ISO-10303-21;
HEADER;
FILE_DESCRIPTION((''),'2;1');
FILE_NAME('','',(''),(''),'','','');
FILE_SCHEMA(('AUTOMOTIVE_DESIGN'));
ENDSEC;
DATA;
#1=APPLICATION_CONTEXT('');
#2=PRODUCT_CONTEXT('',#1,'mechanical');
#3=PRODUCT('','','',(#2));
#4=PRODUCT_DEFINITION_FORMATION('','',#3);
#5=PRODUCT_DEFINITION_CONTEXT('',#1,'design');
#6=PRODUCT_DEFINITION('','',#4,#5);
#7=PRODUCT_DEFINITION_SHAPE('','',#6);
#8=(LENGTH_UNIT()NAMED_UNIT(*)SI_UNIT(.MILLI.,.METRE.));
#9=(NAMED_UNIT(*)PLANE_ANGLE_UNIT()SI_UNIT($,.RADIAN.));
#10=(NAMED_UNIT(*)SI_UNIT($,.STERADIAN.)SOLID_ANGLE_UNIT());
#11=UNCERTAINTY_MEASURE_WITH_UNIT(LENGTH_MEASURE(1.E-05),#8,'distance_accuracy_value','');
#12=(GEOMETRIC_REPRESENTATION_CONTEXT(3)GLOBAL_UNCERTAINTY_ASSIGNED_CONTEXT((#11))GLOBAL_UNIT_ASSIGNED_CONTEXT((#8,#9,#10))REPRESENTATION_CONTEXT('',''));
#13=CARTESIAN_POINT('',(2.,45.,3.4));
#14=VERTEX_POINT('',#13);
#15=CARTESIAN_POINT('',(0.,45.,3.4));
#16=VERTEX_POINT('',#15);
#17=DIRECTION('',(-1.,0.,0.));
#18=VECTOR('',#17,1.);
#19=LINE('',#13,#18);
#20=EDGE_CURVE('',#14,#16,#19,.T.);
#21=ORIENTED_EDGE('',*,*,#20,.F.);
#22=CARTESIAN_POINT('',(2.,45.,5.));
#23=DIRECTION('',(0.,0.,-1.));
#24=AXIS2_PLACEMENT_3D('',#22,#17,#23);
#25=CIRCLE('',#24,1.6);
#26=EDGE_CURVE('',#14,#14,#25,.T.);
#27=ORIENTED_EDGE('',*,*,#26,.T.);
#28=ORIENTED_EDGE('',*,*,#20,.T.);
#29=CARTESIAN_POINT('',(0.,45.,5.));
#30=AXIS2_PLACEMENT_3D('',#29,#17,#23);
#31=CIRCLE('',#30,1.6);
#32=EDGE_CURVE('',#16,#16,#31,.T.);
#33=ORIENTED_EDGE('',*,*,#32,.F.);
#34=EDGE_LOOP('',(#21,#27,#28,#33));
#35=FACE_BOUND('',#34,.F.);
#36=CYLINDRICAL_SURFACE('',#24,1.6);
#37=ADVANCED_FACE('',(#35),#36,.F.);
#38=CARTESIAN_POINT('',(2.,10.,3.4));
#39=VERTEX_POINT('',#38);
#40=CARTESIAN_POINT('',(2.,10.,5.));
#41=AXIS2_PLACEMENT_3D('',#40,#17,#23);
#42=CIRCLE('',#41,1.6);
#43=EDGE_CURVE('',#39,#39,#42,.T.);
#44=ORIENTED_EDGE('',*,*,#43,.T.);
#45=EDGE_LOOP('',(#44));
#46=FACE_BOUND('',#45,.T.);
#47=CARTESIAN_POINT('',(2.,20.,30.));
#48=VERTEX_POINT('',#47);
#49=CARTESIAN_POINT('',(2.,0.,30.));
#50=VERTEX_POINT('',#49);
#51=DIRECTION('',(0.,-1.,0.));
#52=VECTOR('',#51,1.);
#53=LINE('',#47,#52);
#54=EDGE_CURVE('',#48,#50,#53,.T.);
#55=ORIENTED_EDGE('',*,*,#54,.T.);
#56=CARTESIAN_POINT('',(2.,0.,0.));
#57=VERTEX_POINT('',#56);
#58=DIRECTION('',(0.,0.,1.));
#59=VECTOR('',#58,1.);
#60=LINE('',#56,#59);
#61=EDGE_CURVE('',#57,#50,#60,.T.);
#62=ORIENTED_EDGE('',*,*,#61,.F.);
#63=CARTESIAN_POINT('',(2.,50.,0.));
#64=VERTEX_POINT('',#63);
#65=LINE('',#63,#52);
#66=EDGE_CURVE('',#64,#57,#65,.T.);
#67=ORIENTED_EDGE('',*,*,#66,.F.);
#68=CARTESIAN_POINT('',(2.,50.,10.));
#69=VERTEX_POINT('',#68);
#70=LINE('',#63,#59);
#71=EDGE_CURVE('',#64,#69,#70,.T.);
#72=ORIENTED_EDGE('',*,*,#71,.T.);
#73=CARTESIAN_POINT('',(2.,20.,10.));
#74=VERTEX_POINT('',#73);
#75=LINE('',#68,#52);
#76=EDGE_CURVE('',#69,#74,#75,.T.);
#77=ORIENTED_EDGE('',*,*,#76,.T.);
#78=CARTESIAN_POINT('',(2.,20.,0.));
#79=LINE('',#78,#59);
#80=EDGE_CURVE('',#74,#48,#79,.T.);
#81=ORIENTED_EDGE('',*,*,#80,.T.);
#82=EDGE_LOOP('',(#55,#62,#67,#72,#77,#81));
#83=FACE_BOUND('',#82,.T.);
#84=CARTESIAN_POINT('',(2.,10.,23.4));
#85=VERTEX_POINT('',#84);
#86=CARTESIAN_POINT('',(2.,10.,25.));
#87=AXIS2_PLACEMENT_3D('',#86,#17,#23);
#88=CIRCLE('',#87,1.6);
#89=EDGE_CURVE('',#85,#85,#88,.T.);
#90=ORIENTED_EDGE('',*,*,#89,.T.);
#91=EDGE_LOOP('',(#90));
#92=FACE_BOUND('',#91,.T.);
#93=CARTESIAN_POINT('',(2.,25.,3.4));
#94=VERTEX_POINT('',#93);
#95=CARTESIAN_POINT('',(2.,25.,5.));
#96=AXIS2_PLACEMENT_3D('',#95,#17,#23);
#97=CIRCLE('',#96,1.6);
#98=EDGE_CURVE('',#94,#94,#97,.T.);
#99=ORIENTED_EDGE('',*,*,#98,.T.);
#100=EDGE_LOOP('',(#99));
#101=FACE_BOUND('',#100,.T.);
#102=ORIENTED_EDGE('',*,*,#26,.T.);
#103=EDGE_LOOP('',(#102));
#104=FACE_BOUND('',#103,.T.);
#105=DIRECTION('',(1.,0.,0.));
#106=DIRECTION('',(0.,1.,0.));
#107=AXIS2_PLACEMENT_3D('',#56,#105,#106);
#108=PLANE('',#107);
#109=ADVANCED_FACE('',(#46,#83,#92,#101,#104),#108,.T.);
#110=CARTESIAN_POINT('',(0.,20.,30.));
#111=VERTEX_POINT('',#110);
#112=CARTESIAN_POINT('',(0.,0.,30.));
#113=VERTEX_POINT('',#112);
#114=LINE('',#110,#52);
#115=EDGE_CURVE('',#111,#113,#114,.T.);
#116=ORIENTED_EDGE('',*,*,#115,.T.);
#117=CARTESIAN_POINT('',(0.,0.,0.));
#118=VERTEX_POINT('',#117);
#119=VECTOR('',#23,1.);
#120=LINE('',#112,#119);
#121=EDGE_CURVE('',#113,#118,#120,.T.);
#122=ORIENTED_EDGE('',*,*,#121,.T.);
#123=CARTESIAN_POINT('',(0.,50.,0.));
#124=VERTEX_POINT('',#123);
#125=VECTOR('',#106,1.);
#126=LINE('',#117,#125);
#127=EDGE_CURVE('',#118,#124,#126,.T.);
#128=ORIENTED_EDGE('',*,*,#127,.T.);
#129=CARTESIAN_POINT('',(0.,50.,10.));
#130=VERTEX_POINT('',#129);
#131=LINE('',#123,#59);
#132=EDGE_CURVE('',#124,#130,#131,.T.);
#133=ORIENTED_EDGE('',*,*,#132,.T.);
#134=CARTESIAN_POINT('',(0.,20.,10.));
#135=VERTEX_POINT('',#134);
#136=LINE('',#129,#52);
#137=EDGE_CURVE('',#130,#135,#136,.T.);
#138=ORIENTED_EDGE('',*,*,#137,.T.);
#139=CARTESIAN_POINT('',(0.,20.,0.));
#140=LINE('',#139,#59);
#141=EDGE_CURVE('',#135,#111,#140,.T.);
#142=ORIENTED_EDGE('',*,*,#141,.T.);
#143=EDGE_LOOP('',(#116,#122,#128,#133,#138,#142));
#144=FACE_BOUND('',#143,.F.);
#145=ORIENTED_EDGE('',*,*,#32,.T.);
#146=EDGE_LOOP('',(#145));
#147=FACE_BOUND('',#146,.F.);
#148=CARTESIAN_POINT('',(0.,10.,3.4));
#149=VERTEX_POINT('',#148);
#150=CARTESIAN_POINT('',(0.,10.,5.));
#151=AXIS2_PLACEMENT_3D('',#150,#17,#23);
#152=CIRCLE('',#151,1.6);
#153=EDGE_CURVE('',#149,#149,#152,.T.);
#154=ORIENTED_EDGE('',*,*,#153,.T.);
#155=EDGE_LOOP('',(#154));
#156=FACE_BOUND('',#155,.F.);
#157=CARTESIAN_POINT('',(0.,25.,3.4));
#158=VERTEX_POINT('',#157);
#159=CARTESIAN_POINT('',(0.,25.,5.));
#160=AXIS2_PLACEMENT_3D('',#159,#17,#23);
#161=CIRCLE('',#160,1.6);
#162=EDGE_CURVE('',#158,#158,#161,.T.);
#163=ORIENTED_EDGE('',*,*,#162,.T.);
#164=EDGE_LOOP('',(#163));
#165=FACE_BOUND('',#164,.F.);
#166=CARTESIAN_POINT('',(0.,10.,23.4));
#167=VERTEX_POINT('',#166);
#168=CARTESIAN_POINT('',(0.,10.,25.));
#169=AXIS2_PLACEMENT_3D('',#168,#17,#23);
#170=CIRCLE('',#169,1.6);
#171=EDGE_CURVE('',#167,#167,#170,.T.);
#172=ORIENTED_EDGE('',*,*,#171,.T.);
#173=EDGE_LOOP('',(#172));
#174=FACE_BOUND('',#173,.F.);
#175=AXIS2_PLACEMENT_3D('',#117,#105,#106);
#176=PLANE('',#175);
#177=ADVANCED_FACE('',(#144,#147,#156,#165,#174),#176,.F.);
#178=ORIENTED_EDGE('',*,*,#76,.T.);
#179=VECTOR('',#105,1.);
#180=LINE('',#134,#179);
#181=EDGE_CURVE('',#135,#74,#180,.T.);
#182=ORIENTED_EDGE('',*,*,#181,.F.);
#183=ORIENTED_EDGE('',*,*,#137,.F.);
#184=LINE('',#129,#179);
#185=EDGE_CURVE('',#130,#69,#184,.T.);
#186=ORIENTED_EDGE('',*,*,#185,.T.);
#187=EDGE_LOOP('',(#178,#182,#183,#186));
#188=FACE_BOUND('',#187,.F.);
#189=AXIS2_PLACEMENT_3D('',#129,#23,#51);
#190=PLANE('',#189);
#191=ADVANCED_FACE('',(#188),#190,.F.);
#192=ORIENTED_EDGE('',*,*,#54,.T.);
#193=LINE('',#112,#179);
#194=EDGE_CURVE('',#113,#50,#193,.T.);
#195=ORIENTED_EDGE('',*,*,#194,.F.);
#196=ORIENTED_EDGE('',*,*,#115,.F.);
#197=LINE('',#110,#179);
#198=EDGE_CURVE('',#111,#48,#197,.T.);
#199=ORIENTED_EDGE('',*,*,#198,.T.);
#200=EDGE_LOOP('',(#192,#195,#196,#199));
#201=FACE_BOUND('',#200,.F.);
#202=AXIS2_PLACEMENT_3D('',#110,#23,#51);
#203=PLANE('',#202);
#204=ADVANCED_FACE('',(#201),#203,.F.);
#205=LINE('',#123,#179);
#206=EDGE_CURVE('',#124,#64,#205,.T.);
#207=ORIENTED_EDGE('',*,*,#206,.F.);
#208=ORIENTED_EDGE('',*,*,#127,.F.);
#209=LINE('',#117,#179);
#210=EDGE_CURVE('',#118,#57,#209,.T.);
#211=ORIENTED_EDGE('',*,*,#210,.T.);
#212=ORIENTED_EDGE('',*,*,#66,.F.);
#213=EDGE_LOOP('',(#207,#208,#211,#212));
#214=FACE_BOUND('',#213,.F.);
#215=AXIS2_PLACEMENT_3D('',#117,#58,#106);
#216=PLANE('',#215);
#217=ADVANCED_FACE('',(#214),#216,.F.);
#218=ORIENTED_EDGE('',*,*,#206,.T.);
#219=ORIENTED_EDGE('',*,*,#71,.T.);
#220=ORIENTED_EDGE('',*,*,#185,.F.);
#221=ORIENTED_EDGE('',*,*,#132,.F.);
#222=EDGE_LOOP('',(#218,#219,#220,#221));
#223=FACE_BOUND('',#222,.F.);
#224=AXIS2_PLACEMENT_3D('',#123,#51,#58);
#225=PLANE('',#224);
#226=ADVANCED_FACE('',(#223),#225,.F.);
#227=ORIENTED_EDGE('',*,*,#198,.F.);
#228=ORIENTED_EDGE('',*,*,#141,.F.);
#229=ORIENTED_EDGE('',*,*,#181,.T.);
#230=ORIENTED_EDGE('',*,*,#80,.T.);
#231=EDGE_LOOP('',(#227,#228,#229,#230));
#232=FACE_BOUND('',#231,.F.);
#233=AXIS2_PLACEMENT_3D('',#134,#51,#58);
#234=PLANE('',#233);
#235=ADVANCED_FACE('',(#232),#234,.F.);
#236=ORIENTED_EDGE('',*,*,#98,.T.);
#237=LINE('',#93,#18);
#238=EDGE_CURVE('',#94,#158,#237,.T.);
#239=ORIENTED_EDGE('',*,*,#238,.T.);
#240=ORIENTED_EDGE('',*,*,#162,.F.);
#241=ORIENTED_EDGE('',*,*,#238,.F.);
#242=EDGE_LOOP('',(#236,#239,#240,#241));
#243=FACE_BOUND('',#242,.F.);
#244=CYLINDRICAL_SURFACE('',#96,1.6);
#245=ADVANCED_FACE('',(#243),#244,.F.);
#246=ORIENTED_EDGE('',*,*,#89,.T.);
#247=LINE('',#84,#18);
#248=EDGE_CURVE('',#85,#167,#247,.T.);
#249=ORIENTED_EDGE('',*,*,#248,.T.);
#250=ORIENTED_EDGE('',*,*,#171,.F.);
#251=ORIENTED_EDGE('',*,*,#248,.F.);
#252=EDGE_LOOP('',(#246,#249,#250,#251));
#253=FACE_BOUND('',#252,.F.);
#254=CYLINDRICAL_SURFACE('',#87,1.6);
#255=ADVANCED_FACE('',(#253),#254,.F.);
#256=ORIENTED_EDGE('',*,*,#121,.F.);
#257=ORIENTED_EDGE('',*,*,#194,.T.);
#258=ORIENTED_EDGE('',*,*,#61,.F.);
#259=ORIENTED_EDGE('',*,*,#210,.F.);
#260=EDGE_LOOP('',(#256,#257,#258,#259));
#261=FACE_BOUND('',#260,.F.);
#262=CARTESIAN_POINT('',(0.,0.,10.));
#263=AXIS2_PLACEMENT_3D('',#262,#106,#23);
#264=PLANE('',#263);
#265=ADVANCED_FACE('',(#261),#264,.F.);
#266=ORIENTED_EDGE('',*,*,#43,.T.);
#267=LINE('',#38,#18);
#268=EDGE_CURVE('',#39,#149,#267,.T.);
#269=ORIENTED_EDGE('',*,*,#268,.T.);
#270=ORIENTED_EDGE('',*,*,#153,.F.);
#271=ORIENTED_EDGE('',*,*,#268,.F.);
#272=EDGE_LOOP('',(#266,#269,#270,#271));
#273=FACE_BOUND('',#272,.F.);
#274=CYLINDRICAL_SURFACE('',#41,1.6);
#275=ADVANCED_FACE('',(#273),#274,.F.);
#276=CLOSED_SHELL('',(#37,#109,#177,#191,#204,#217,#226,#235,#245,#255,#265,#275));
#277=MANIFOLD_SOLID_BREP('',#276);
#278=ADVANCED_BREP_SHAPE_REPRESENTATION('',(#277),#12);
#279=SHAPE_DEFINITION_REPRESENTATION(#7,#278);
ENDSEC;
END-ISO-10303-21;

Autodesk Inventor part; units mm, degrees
ref_plane "YZ Plane" through (0, 0, 0) normal (1, 0, 0) x (0, 1, 0)
ref_plane "XZ Plane" through (0, 0, 0) normal (0, 1, 0) x (-1, 0, 0)
ref_plane "XY Plane" through (0, 0, 0) normal (0, 0, 1) x (1, 0, 0)
sketch "スケッチ1" plane through (0, 0, 0) normal (1, 0, 0) x (0, 1, 0)
  line L0 (0, 0) -> (50, 0)
  line L1 (50, 0) -> (50, 10)
  line L2 (50, 10) -> (0, 10)
  line L3 (0, 10) -> (0, 0)
  line L4 (0, 0) -> (20, 0)
  line L5 (20, 0) -> (20, 30)
  line L6 (20, 30) -> (0, 30)
  line L7 (0, 30) -> (0, 0)
  point P0 (0, 10)
  point P1 (20, 10)
  point P2 (20, 0)
  point P3 (20, 0)
  dimension "d0" = 10
  dimension "d1" = 20
  dimension "d2" = 30
  dimension "d3" = 30
extrude "押し出し1" add sketch "スケッチ1" along normal blind 2
sketch "スケッチ2" plane through (2, 0, 0) normal (1, 0, 0) x (0, 0, -1)
  line L0 (-30, 20) -> (-30, 0) projected
  line L1 (-30, 10) -> (0, 10) construction
  line L2 (0, 0) -> (0, 50) projected
  line L3 (0, 50) -> (-10, 50) projected
  line L4 (-5, 50) -> (-5, 0) construction
  line L5 (-30, 0) -> (0, 0) projected
  point P0 (-25, 10)
  point P1 (-5, 10)
  point P2 (-5, 25)
  point P3 (-5, 45)
  dimension "d6" = 20
  dimension "d7" = 5
  dimension "d8" = 20
  dimension "d9" = 5
hole "穴1" at (2, 10, 25) at (2, 10, 5) at (2, 25, 5) at (2, 45, 5) direction (-1, 0, 0) diameter 3.2 end through all
properties part number "FrameJointL2010" material "アルミニウム 6061"
